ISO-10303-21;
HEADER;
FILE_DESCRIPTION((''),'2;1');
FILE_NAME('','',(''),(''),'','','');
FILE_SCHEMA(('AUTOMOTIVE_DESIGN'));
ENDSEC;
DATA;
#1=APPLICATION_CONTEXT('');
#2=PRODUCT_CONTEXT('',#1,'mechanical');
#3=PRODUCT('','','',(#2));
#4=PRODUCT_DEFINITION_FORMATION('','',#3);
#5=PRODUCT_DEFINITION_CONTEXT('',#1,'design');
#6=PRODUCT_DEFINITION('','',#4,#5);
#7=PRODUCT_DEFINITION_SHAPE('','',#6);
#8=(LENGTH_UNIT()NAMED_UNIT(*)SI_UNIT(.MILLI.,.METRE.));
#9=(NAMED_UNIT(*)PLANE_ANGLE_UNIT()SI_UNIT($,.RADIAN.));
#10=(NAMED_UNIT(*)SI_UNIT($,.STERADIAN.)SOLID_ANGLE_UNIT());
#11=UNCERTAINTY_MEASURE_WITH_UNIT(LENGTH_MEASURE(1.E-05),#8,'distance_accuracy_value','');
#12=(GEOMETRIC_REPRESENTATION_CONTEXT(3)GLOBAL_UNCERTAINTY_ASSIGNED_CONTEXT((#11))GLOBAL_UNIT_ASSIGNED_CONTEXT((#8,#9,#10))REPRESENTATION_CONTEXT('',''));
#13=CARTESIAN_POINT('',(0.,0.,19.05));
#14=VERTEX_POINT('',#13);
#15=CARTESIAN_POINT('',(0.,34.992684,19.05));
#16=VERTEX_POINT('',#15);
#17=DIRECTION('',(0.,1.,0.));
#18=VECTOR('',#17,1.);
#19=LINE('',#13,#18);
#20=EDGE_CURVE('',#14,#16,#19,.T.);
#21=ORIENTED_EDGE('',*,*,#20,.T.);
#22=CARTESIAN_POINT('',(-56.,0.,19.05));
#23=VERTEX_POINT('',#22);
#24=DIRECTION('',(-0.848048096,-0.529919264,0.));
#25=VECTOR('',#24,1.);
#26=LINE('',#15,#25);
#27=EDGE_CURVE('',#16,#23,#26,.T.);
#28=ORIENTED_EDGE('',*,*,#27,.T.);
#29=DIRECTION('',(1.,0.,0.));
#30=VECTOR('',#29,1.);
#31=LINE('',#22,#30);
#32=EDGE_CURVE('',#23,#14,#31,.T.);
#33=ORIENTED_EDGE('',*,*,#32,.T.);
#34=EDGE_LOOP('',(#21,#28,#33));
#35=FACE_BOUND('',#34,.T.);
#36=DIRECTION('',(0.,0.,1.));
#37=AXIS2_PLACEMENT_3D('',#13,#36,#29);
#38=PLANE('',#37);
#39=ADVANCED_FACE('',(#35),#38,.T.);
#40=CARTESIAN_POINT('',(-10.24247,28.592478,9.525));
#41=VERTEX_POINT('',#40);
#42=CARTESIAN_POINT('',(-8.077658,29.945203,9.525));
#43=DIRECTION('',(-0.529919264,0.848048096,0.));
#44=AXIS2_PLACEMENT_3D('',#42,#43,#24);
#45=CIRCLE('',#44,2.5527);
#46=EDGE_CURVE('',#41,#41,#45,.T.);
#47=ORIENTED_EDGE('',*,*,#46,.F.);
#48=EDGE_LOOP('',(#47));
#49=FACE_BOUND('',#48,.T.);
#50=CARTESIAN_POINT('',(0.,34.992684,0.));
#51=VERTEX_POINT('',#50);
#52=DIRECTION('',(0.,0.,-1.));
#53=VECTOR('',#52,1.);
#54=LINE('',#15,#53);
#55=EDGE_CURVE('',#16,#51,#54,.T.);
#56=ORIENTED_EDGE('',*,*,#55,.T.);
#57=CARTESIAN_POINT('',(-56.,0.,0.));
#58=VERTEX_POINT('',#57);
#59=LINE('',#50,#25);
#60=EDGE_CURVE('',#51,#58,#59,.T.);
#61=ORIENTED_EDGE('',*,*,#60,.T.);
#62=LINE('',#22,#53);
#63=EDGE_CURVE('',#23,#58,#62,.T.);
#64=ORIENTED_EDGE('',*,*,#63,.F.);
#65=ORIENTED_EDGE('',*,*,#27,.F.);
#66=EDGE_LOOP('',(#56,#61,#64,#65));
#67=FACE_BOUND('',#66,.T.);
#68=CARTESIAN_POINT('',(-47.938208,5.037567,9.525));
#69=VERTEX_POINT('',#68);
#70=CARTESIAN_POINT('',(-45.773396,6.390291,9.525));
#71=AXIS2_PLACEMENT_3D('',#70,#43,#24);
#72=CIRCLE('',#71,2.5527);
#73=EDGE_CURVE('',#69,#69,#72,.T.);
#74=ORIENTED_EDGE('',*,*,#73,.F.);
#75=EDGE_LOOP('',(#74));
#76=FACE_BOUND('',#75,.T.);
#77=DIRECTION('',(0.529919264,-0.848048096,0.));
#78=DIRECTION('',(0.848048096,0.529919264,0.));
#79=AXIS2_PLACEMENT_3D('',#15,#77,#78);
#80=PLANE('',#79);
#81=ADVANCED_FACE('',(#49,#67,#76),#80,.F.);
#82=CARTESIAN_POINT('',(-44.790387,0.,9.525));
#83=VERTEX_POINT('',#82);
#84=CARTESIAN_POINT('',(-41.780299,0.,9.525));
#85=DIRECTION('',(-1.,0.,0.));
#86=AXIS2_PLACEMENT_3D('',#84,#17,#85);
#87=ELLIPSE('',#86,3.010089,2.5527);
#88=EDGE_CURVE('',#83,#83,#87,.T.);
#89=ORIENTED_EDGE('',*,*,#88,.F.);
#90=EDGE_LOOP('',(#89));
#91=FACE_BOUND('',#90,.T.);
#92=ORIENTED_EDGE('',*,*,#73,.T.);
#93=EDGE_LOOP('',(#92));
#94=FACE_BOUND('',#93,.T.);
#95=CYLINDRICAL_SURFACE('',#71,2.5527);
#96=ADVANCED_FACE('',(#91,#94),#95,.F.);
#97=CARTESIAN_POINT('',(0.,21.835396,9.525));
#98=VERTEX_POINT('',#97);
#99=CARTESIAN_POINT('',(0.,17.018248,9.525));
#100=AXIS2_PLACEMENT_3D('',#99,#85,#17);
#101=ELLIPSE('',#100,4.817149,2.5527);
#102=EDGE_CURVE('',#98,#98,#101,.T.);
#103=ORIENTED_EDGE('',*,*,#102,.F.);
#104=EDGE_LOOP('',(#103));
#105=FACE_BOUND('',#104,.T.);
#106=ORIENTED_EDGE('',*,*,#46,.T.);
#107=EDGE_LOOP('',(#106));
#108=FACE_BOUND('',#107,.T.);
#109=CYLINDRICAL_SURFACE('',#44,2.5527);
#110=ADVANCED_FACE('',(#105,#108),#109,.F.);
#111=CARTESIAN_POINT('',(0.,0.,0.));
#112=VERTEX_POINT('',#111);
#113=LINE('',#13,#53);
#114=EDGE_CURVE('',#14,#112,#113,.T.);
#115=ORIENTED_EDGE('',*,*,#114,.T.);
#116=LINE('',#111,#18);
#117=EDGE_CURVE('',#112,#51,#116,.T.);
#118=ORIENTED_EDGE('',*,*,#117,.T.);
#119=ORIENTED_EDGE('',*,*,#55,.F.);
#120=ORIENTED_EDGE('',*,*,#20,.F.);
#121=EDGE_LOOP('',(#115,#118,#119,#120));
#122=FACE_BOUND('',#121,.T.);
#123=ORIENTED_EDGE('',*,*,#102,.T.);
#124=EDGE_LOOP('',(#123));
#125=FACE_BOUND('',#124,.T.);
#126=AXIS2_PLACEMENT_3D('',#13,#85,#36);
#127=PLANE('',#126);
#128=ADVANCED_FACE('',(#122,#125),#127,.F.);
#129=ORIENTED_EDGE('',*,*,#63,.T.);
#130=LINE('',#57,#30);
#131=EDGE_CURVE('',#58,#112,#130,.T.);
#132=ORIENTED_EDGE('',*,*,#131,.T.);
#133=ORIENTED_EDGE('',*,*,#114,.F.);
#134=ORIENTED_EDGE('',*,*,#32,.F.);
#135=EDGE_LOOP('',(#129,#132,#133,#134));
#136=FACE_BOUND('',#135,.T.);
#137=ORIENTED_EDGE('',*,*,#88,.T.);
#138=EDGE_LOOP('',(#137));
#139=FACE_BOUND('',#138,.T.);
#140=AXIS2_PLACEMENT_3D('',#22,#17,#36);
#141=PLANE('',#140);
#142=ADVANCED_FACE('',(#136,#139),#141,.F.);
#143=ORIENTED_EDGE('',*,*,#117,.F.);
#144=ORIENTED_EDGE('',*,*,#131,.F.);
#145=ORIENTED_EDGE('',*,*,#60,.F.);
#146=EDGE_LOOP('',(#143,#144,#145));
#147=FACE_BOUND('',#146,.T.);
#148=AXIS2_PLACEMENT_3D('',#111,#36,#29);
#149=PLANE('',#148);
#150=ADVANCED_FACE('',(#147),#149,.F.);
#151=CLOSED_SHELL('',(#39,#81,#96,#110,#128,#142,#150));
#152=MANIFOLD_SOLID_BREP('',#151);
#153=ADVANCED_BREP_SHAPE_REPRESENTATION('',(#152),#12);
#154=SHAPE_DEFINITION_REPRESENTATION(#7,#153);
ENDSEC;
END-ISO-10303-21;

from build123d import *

# Parameters (mm, degrees)
BOSS_EXTRUDE1_DEPTH            = 19.05
F_7_0_201_DIAMETER_HOLE1_D     = 5.1054
F_7_0_201_DIAMETER_HOLE1_DEPTH = 25.4


with BuildPart() as part:
    # Sketch2 → Boss-Extrude1 (new body)
    with BuildSketch(Plane.XY):
        Polygon((0, 0), (0, 34.992683716), (-56.000000014, 0), align=None)
    extrude(amount=BOSS_EXTRUDE1_DEPTH)

    # #7 (0.201) Diameter Hole1
    with Locations(Plane(origin=(-15.725607894, 25.166233303, 0), x_dir=(0.8480480961564308, 0.5299192642331972, 0), z_dir=(-0.5299192642331972, 0.848048096156431, 0))):
        with Locations((-35.431702792, -9.525), (9.018297208, -9.525)):
            Hole(F_7_0_201_DIAMETER_HOLE1_D / 2, depth=F_7_0_201_DIAMETER_HOLE1_DEPTH)


solid = part.part
